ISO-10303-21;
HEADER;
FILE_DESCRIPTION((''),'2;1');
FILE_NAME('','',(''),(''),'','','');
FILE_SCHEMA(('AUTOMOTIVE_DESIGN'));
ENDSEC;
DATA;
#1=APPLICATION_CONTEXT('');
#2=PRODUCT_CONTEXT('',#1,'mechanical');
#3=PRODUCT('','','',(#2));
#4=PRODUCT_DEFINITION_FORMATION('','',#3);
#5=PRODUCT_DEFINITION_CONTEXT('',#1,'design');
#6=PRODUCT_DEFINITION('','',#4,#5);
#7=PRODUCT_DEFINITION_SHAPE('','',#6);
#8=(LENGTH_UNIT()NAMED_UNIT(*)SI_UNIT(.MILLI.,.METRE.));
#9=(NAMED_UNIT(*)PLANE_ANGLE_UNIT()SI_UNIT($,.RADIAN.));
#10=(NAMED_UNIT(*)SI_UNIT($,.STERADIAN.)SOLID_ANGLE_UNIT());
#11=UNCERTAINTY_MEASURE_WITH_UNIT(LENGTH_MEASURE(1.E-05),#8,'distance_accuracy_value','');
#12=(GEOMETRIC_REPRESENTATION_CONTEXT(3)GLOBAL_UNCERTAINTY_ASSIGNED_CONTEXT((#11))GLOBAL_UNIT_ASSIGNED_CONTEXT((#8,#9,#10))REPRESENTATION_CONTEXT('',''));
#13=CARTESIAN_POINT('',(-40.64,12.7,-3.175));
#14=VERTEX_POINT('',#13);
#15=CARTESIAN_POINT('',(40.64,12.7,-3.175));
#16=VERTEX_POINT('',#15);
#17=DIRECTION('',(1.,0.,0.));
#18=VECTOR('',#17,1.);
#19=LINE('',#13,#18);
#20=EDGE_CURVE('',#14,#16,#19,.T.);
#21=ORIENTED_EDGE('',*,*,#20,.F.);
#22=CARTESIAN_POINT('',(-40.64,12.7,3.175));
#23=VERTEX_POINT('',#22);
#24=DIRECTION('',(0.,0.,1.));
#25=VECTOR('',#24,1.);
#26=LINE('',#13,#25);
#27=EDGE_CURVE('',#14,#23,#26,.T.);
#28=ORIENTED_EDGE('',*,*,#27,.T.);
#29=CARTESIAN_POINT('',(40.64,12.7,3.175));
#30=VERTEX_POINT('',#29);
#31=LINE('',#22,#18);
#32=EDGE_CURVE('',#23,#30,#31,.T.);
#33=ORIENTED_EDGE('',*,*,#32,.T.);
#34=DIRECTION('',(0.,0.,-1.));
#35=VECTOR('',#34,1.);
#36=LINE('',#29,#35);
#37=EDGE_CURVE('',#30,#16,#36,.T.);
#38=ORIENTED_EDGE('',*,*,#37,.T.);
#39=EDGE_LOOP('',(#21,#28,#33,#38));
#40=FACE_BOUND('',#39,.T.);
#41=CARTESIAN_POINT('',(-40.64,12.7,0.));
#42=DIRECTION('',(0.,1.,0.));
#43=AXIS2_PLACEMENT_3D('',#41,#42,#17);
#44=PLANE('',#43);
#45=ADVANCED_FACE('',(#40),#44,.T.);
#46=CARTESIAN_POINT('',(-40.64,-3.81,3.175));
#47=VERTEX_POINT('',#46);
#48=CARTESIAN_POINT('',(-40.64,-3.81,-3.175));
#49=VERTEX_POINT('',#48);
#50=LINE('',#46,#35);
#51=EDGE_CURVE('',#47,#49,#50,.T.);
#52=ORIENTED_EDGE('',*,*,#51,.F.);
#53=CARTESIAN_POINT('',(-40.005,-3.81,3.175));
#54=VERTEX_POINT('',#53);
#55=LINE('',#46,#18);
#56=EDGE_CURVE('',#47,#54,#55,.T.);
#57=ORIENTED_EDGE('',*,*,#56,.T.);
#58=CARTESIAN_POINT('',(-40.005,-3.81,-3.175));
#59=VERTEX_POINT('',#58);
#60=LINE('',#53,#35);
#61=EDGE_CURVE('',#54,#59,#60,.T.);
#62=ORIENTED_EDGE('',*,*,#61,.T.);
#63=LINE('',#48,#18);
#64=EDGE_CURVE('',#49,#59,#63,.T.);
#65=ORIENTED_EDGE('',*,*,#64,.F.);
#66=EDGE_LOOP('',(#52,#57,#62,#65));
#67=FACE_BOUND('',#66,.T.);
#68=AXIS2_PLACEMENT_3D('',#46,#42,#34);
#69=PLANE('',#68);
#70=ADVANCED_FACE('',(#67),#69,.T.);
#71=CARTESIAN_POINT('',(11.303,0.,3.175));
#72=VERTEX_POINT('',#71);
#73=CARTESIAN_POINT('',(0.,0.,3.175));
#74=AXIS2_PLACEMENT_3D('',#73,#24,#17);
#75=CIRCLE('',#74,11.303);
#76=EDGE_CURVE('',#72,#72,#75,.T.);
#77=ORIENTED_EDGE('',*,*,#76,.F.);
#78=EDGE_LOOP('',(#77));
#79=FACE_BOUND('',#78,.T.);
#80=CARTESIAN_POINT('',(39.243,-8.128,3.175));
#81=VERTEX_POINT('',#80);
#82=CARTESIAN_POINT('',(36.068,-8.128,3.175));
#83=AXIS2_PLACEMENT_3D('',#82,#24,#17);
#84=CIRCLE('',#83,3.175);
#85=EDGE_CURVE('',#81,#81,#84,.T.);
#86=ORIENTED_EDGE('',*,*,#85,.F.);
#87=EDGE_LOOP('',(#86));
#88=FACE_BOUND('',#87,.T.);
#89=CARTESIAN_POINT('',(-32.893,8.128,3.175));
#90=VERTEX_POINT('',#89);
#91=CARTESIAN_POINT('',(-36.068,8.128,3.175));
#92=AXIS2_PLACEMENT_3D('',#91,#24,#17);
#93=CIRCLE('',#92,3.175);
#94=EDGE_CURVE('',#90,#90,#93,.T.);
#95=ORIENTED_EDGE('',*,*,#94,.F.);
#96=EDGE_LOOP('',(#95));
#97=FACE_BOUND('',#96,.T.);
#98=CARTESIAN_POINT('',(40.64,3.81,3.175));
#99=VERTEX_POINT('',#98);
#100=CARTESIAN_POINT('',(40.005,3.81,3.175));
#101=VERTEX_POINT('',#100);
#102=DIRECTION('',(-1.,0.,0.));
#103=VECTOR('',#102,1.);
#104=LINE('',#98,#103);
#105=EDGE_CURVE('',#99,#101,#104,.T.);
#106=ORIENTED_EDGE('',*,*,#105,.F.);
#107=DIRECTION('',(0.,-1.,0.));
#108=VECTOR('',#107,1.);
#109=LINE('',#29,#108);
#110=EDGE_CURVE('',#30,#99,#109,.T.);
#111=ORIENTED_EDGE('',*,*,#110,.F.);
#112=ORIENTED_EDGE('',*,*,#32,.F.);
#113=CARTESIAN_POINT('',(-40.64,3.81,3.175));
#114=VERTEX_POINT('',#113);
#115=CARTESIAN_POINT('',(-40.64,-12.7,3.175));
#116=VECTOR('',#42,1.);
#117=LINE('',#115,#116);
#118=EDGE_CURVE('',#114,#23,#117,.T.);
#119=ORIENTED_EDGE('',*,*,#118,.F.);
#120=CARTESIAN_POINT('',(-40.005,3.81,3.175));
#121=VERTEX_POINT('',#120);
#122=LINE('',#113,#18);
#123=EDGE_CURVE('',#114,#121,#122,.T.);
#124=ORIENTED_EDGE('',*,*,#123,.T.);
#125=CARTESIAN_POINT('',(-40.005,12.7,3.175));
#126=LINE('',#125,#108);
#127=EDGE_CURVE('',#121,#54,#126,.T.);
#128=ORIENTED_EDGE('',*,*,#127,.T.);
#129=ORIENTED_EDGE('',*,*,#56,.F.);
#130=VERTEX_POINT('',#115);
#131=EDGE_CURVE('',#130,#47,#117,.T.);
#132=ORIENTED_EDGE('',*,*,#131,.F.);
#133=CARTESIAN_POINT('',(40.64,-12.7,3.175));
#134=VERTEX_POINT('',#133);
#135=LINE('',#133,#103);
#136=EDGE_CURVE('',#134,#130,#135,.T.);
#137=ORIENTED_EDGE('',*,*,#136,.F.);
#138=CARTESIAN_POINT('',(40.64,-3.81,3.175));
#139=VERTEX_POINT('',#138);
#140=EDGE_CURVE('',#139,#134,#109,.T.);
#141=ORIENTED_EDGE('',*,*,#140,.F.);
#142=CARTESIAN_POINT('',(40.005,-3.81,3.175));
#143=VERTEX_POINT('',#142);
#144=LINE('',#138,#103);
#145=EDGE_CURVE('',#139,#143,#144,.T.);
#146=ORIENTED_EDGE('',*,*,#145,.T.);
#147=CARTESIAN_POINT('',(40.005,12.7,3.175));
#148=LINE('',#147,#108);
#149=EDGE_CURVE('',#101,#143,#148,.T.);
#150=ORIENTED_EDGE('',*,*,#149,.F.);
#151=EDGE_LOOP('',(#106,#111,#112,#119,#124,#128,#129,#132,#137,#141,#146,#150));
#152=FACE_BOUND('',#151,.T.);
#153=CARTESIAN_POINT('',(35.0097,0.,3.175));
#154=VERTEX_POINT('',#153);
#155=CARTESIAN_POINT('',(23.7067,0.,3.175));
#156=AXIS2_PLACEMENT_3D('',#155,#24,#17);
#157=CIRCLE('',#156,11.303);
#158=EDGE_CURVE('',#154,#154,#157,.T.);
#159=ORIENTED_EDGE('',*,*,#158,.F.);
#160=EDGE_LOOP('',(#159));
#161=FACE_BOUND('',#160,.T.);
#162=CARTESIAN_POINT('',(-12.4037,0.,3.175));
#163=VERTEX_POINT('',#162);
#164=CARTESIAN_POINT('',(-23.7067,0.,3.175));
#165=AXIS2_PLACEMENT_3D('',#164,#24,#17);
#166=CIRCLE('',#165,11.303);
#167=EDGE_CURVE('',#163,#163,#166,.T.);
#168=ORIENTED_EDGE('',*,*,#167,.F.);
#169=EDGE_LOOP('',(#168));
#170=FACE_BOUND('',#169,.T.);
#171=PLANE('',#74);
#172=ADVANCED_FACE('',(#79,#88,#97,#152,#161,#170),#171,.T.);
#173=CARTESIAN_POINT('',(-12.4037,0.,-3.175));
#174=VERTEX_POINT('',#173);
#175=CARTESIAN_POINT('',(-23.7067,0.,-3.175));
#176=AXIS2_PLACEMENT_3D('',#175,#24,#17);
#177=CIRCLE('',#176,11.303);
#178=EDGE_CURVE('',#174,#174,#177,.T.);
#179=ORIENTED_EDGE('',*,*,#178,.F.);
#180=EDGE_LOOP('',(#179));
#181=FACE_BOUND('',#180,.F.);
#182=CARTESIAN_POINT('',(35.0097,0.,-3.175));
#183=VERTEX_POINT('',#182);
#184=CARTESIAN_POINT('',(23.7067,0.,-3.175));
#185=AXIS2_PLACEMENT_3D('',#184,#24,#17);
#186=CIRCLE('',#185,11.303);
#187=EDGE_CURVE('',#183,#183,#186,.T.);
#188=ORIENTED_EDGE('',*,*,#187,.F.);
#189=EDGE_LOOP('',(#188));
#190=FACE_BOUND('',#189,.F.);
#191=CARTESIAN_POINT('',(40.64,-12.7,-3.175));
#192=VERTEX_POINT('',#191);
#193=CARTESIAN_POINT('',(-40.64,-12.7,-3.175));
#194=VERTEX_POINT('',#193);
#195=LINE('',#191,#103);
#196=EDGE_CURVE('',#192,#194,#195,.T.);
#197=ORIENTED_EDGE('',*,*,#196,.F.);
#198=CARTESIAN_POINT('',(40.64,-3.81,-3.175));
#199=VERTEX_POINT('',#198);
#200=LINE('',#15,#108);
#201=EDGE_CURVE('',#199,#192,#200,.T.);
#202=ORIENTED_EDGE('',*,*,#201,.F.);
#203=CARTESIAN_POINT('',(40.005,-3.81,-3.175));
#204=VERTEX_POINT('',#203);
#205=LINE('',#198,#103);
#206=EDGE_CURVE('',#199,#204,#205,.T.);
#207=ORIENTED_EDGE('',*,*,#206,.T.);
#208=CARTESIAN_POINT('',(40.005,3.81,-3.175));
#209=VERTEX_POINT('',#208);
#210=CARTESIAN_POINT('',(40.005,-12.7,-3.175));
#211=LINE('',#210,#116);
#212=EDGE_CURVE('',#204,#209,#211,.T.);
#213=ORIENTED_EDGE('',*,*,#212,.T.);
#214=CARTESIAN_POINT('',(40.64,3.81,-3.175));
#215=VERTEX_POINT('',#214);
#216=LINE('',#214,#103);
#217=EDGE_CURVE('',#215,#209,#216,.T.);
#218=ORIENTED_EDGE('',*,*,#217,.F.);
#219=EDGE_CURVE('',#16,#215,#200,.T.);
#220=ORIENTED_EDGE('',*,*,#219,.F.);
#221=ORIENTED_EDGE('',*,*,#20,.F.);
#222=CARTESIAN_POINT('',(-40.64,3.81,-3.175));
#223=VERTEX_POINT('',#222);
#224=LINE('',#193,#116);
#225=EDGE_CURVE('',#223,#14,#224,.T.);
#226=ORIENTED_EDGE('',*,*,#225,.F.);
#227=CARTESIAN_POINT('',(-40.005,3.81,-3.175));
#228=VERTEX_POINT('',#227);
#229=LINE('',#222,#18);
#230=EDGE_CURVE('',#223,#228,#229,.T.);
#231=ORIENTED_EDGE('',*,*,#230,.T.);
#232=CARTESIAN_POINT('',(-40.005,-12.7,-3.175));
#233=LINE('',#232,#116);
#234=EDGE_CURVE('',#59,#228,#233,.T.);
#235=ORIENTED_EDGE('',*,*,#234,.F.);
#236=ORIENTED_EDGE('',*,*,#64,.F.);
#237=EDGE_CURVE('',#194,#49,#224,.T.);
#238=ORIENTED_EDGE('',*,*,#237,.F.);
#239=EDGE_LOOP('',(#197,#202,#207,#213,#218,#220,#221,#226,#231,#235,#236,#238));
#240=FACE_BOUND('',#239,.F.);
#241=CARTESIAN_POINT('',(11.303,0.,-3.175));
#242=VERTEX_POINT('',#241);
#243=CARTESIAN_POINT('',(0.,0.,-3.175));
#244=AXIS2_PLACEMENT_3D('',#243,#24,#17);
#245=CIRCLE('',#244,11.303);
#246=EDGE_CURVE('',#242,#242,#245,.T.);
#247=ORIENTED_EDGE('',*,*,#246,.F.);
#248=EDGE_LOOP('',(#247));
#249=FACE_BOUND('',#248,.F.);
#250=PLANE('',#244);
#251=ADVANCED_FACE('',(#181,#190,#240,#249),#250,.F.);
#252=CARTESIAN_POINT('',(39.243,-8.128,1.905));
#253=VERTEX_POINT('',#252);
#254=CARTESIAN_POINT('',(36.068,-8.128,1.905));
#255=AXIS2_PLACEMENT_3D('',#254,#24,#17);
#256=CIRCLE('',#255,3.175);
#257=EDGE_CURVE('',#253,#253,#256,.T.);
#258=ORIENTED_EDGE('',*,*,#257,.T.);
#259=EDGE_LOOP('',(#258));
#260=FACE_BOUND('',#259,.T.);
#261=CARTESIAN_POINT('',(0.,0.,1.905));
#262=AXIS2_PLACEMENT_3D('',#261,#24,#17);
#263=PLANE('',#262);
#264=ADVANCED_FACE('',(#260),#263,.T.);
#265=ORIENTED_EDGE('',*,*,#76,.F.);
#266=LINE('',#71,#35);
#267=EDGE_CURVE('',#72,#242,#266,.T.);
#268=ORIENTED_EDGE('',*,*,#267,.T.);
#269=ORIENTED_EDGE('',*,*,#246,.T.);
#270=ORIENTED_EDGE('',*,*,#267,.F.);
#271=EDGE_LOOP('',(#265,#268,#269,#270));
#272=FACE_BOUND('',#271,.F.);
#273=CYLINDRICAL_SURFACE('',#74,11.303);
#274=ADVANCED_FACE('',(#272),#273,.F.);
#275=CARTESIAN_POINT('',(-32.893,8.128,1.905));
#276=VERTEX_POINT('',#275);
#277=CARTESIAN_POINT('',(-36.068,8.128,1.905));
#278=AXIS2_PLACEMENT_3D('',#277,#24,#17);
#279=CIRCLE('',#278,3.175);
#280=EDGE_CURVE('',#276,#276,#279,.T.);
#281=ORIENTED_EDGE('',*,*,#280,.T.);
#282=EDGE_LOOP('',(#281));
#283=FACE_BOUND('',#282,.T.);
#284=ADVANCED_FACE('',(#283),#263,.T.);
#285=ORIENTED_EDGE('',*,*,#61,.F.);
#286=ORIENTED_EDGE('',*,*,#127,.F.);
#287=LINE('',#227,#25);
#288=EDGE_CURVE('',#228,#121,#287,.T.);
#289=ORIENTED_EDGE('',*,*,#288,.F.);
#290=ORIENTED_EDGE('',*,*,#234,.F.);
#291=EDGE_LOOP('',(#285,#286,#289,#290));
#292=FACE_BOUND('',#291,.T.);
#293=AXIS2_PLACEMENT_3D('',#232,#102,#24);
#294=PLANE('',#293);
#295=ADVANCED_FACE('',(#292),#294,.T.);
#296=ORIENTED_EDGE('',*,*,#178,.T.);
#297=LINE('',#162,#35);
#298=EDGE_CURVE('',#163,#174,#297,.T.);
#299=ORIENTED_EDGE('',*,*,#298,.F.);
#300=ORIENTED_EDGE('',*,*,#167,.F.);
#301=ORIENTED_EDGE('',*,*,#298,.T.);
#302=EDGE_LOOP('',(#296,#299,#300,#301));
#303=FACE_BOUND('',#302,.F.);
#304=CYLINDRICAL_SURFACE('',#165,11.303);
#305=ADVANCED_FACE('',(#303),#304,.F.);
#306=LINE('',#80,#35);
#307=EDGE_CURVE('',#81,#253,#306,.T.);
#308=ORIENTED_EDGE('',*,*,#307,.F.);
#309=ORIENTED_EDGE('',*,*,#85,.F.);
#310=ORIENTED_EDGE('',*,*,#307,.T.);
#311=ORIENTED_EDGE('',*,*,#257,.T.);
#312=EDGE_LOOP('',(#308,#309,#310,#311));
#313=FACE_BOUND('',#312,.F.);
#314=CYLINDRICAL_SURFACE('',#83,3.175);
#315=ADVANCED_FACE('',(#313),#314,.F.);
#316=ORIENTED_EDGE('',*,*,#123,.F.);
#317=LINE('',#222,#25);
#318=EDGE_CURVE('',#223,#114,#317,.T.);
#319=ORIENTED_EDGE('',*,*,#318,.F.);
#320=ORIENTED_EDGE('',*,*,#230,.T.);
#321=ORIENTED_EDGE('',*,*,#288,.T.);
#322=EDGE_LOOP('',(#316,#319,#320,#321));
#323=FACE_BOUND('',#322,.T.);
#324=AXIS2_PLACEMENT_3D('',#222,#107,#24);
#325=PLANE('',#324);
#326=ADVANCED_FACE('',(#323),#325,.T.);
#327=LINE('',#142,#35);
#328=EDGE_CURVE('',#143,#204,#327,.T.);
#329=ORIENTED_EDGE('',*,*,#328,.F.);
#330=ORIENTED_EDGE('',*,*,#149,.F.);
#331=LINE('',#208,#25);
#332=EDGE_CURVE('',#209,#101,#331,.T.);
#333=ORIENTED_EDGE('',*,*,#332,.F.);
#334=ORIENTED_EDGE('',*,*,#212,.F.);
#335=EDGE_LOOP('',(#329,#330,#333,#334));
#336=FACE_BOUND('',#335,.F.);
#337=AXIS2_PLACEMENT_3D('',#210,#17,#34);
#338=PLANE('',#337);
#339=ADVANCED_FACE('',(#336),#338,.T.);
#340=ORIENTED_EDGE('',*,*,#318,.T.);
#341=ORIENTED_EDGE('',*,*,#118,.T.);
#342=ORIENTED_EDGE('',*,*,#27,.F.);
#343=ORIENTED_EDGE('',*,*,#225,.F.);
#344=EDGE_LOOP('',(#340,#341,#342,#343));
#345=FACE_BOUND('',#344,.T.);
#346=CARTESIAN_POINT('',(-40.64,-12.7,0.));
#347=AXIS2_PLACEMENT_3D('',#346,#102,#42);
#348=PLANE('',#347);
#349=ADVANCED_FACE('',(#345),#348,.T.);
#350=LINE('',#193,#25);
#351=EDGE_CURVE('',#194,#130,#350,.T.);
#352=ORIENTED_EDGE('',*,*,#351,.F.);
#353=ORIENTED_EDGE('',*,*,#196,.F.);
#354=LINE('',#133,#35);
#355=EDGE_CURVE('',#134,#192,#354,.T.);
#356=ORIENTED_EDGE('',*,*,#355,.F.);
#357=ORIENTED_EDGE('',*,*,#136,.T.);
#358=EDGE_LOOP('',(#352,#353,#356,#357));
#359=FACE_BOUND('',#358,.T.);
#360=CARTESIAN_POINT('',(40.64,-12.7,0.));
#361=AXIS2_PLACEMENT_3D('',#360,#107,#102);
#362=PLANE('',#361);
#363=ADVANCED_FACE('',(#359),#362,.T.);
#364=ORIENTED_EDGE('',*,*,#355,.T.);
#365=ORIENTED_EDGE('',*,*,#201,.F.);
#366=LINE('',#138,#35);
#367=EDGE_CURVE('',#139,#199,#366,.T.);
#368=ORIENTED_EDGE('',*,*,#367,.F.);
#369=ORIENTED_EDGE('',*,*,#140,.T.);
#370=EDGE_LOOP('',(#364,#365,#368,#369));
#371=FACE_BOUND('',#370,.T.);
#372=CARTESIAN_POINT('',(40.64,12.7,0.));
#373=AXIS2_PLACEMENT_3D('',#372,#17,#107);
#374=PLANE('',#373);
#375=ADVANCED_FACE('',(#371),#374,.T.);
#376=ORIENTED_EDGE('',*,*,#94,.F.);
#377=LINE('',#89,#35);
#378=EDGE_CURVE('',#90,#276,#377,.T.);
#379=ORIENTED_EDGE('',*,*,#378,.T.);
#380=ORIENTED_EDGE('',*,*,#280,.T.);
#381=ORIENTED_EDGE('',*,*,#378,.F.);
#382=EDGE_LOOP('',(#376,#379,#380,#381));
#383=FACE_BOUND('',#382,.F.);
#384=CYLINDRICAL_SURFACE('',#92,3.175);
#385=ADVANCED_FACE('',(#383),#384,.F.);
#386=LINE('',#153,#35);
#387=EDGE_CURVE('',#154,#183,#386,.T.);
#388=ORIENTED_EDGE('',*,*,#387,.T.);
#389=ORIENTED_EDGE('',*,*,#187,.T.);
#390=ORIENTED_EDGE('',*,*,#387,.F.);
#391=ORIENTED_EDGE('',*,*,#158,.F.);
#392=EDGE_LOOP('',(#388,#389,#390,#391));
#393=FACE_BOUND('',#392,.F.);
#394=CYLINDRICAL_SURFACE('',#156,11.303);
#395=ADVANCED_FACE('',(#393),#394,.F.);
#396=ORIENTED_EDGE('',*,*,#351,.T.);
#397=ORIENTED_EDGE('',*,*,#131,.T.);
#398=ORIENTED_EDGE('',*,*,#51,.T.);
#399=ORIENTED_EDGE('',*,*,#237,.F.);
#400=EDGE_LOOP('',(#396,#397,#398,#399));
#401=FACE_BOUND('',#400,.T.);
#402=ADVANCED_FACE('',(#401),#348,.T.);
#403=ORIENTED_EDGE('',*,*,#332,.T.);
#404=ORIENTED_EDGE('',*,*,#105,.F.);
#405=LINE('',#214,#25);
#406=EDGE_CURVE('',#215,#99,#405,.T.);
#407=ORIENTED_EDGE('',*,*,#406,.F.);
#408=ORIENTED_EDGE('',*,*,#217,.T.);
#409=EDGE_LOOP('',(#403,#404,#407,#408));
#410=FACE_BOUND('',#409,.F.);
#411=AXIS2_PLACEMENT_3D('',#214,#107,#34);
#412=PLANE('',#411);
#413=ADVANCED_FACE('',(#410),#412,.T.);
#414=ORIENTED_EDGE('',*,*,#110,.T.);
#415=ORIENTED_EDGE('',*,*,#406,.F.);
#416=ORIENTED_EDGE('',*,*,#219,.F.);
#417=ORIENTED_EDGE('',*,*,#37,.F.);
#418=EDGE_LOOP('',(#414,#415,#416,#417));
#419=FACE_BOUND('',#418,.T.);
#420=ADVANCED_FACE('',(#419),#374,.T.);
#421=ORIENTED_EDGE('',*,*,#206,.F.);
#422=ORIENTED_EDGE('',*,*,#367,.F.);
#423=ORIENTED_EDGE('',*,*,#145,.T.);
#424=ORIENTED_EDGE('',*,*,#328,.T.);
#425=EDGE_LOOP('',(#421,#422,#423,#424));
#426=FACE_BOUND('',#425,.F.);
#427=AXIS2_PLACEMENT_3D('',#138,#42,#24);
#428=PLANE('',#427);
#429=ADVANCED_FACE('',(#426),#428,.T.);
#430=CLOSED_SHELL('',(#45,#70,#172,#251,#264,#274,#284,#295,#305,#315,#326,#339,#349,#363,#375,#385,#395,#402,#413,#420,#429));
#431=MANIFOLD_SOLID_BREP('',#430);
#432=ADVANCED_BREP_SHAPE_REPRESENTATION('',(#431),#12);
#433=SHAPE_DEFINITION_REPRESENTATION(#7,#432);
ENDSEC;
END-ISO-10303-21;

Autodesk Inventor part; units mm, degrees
ref_plane "YZ Plane" through (0, 0, 0) normal (1, 0, 0) x (0, 1, 0)
ref_plane "XZ Plane" through (0, 0, 0) normal (0, 1, 0) x (-1, 0, 0)
ref_plane "XY Plane" through (0, 0, 0) normal (0, 0, 1) x (1, 0, 0)
sketch "Sketch1" plane through (0, 0, 0) normal (0, 0, 1) x (1, 0, 0)
  line L0 (-40.64, 12.7) -> (40.64, 12.7)
  line L1 (40.64, 12.7) -> (40.64, -12.7)
  line L2 (40.64, -12.7) -> (-40.64, -12.7)
  line L3 (-40.64, -12.7) -> (-40.64, 12.7)
  point P0 (0, 0)
  dimension "d0" = 81.28
  dimension "d1" = 40.64
  dimension "d2" = 12.7
  dimension "d3" = 25.4
extrude "Extrusion1" add sketch "Sketch1" along normal mid plane 6.35
sketch "Sketch2" plane through (0, 0, 3.175) normal (0, 0, 1) x (1, 0, 0)
  circle A0 centre (-23.7067, 0) radius 11.303
  circle A1 centre (0, 0) radius 11.303
  line L0 (40.64, -12.7) -> (40.64, 12.7) projected
  circle A2 centre (23.7067, 0) radius 11.303
  line L1 (-40.64, 12.7) -> (-40.64, -12.7) projected
  line L2 (-40.64, 0) -> (40.64, 0) construction
  line L3 (40.64, 12.7) -> (-40.64, 12.7) projected
  point P0 (0, 0)
  dimension "d6" = 22.606
  dimension "d9" = 22.606
  dimension "d11" = 22.606
  dimension "d14" = 23.7067
  dimension "d21" = 81.28
  dimension "d22" = 23.7067
  dimension "d45" = 0
sketch "Sketch4" plane through (-40.64, -12.7, -3.175) normal (-1, 0, 0) x (0, 0, 1)
  line L0 (0, 0) -> (0, 25.4) projected
  line L1 (6.35, 25.4) -> (6.35, 0) projected
  line L2 (0, 16.51) -> (6.35, 16.51)
  line L3 (6.35, 16.51) -> (6.35, 8.89)
  line L4 (6.35, 8.89) -> (0, 8.89)
  line L5 (0, 8.89) -> (0, 16.51)
  point P0 (3.175, 12.7)
  point P1 (0, 25.4)
  dimension "d30" = 3.81
  dimension "d31" = 7.62
extrude "Extrusion3" cut sketch "Sketch4" against normal blind 0.635
mirror "Mirror1" about plane through (0, 0, 0) normal (1, 0, 0) of "Extrusion3"
sketch "Sketch5" plane through (0, 0, 3.175) normal (0, 0, 1) x (1, 0, 0)
  circle A0 centre (0, 8.128) radius 3.175 construction
  line L0 (40.64, 12.7) -> (-40.64, 12.7) projected
  line L1 (-22.0846, 0) -> (40.005, 0) construction
  line L2 (40.005, 3.81) -> (40.005, -3.81) projected
  circle A1 centre (0, -8.128) radius 3.175 construction
  circle A2 centre (-36.068, 8.128) radius 3.175
  circle A3 centre (36.068, -8.128) radius 3.175
  line L3 (-40.64, 12.7) -> (-40.64, 3.81) projected
  line L4 (40.64, -3.81) -> (40.64, -12.7) projected
  line L5 (40.64, -12.7) -> (-40.64, -12.7) projected
  point P0 (0, 0)
  dimension "d34" = 6.35
  dimension "d35" = 4.572
  dimension "d48" = 6.35
  dimension "d49" = 6.35
  dimension "d50" = 4.572
  dimension "d51" = 4.572
  dimension "d52" = 4.572
  dimension "d53" = 4.572
extrude "Extrusion4" cut sketch "Sketch5" against normal blind 1.27
sketch "Sketch7" plane through (-40.64, -12.7, 3.175) normal (0, -1, 0) x (1, 0, 0)
  line L0 (26.67, -14.605) -> (54.61, -14.605)
  line L1 (54.61, -14.605) -> (54.61, 8.255)
  line L2 (54.61, 8.255) -> (26.67, 8.255)
  line L3 (26.67, 8.255) -> (26.67, -14.605)
  point P0 (40.64, -3.175)
  dimension "d39" = 27.94
  dimension "d40" = 22.86
  dimension "d41" = 11.43
  dimension "d42" = 13.97
extrude "Extrusion5" [suppressed]
extrude "Extrusion6" cut sketch "Sketch2" against normal blind 25.4
sketch "Sketch8" plane through (0, 0, -3.175) normal (0, 0, -1) x (-1, 0, 0)
  line L0 (40.005, 3.81) -> (40.005, -3.81) construction
  line L1 (40.005, 0) -> (-40.005, 0)
  line L2 (-40.005, 3.81) -> (-40.005, -3.81) construction
  line L3 (40.64, 12.7) -> (-40.64, 12.7) projected
  line L4 (40.64, 3.81) -> (40.64, 12.7) projected
  line L5 (-40.64, 12.7) -> (-40.64, 3.81) projected
  line L6 (-40.005, 3.81) -> (-40.005, 0)
  line L7 (-40.64, 3.81) -> (-40.005, 3.81) projected
  line L8 (40.005, 3.81) -> (40.005, 0)
  line L9 (40.005, 3.81) -> (40.64, 3.81) projected
  point P0 (0, 0)
extrude "Extrusion7" [suppressed]
sketch "Sketch9" plane through (0, 0, -3.175) normal (0, 0, -1) x (-1, 0, 0)
  line L0 (-40.64, -12.7) -> (40.64, -12.7) projected
  line L1 (40.64, -12.7) -> (40.64, -3.81) projected
  line L2 (40.64, -3.81) -> (40.005, -3.81) projected
  line L3 (-40.005, -3.81) -> (-40.64, -3.81) projected
  line L4 (-40.64, -3.81) -> (-40.64, -12.7) projected
  line L5 (-40.005, 3.81) -> (-40.005, -3.81) projected
  line L6 (-40.005, 0) -> (-40.005, -3.81)
  line L7 (-40.005, 0) -> (40.005, 0)
  line L8 (40.005, -3.81) -> (40.005, 3.81) projected
  line L9 (40.005, -3.81) -> (40.005, 0)
  point P0 (0, 0)
extrude "Extrusion8" [suppressed]
equation "\"d1\" = 0.5 * d0"
equation "\"d2\" = 0.5 * d3"
equation "\"d9\" = d7"
equation "\"d11\" = d9"
equation "\"d22\" = d14"
equation "\"d30\" = 0.5 * d31"
equation "\"d41\" = 0.5 * d40"
equation "\"d42\" = 0.5 * d39"
equation "\"d7\" = d6"
properties part number "Tube Holder" material "Aluminum 6061-AHC"
